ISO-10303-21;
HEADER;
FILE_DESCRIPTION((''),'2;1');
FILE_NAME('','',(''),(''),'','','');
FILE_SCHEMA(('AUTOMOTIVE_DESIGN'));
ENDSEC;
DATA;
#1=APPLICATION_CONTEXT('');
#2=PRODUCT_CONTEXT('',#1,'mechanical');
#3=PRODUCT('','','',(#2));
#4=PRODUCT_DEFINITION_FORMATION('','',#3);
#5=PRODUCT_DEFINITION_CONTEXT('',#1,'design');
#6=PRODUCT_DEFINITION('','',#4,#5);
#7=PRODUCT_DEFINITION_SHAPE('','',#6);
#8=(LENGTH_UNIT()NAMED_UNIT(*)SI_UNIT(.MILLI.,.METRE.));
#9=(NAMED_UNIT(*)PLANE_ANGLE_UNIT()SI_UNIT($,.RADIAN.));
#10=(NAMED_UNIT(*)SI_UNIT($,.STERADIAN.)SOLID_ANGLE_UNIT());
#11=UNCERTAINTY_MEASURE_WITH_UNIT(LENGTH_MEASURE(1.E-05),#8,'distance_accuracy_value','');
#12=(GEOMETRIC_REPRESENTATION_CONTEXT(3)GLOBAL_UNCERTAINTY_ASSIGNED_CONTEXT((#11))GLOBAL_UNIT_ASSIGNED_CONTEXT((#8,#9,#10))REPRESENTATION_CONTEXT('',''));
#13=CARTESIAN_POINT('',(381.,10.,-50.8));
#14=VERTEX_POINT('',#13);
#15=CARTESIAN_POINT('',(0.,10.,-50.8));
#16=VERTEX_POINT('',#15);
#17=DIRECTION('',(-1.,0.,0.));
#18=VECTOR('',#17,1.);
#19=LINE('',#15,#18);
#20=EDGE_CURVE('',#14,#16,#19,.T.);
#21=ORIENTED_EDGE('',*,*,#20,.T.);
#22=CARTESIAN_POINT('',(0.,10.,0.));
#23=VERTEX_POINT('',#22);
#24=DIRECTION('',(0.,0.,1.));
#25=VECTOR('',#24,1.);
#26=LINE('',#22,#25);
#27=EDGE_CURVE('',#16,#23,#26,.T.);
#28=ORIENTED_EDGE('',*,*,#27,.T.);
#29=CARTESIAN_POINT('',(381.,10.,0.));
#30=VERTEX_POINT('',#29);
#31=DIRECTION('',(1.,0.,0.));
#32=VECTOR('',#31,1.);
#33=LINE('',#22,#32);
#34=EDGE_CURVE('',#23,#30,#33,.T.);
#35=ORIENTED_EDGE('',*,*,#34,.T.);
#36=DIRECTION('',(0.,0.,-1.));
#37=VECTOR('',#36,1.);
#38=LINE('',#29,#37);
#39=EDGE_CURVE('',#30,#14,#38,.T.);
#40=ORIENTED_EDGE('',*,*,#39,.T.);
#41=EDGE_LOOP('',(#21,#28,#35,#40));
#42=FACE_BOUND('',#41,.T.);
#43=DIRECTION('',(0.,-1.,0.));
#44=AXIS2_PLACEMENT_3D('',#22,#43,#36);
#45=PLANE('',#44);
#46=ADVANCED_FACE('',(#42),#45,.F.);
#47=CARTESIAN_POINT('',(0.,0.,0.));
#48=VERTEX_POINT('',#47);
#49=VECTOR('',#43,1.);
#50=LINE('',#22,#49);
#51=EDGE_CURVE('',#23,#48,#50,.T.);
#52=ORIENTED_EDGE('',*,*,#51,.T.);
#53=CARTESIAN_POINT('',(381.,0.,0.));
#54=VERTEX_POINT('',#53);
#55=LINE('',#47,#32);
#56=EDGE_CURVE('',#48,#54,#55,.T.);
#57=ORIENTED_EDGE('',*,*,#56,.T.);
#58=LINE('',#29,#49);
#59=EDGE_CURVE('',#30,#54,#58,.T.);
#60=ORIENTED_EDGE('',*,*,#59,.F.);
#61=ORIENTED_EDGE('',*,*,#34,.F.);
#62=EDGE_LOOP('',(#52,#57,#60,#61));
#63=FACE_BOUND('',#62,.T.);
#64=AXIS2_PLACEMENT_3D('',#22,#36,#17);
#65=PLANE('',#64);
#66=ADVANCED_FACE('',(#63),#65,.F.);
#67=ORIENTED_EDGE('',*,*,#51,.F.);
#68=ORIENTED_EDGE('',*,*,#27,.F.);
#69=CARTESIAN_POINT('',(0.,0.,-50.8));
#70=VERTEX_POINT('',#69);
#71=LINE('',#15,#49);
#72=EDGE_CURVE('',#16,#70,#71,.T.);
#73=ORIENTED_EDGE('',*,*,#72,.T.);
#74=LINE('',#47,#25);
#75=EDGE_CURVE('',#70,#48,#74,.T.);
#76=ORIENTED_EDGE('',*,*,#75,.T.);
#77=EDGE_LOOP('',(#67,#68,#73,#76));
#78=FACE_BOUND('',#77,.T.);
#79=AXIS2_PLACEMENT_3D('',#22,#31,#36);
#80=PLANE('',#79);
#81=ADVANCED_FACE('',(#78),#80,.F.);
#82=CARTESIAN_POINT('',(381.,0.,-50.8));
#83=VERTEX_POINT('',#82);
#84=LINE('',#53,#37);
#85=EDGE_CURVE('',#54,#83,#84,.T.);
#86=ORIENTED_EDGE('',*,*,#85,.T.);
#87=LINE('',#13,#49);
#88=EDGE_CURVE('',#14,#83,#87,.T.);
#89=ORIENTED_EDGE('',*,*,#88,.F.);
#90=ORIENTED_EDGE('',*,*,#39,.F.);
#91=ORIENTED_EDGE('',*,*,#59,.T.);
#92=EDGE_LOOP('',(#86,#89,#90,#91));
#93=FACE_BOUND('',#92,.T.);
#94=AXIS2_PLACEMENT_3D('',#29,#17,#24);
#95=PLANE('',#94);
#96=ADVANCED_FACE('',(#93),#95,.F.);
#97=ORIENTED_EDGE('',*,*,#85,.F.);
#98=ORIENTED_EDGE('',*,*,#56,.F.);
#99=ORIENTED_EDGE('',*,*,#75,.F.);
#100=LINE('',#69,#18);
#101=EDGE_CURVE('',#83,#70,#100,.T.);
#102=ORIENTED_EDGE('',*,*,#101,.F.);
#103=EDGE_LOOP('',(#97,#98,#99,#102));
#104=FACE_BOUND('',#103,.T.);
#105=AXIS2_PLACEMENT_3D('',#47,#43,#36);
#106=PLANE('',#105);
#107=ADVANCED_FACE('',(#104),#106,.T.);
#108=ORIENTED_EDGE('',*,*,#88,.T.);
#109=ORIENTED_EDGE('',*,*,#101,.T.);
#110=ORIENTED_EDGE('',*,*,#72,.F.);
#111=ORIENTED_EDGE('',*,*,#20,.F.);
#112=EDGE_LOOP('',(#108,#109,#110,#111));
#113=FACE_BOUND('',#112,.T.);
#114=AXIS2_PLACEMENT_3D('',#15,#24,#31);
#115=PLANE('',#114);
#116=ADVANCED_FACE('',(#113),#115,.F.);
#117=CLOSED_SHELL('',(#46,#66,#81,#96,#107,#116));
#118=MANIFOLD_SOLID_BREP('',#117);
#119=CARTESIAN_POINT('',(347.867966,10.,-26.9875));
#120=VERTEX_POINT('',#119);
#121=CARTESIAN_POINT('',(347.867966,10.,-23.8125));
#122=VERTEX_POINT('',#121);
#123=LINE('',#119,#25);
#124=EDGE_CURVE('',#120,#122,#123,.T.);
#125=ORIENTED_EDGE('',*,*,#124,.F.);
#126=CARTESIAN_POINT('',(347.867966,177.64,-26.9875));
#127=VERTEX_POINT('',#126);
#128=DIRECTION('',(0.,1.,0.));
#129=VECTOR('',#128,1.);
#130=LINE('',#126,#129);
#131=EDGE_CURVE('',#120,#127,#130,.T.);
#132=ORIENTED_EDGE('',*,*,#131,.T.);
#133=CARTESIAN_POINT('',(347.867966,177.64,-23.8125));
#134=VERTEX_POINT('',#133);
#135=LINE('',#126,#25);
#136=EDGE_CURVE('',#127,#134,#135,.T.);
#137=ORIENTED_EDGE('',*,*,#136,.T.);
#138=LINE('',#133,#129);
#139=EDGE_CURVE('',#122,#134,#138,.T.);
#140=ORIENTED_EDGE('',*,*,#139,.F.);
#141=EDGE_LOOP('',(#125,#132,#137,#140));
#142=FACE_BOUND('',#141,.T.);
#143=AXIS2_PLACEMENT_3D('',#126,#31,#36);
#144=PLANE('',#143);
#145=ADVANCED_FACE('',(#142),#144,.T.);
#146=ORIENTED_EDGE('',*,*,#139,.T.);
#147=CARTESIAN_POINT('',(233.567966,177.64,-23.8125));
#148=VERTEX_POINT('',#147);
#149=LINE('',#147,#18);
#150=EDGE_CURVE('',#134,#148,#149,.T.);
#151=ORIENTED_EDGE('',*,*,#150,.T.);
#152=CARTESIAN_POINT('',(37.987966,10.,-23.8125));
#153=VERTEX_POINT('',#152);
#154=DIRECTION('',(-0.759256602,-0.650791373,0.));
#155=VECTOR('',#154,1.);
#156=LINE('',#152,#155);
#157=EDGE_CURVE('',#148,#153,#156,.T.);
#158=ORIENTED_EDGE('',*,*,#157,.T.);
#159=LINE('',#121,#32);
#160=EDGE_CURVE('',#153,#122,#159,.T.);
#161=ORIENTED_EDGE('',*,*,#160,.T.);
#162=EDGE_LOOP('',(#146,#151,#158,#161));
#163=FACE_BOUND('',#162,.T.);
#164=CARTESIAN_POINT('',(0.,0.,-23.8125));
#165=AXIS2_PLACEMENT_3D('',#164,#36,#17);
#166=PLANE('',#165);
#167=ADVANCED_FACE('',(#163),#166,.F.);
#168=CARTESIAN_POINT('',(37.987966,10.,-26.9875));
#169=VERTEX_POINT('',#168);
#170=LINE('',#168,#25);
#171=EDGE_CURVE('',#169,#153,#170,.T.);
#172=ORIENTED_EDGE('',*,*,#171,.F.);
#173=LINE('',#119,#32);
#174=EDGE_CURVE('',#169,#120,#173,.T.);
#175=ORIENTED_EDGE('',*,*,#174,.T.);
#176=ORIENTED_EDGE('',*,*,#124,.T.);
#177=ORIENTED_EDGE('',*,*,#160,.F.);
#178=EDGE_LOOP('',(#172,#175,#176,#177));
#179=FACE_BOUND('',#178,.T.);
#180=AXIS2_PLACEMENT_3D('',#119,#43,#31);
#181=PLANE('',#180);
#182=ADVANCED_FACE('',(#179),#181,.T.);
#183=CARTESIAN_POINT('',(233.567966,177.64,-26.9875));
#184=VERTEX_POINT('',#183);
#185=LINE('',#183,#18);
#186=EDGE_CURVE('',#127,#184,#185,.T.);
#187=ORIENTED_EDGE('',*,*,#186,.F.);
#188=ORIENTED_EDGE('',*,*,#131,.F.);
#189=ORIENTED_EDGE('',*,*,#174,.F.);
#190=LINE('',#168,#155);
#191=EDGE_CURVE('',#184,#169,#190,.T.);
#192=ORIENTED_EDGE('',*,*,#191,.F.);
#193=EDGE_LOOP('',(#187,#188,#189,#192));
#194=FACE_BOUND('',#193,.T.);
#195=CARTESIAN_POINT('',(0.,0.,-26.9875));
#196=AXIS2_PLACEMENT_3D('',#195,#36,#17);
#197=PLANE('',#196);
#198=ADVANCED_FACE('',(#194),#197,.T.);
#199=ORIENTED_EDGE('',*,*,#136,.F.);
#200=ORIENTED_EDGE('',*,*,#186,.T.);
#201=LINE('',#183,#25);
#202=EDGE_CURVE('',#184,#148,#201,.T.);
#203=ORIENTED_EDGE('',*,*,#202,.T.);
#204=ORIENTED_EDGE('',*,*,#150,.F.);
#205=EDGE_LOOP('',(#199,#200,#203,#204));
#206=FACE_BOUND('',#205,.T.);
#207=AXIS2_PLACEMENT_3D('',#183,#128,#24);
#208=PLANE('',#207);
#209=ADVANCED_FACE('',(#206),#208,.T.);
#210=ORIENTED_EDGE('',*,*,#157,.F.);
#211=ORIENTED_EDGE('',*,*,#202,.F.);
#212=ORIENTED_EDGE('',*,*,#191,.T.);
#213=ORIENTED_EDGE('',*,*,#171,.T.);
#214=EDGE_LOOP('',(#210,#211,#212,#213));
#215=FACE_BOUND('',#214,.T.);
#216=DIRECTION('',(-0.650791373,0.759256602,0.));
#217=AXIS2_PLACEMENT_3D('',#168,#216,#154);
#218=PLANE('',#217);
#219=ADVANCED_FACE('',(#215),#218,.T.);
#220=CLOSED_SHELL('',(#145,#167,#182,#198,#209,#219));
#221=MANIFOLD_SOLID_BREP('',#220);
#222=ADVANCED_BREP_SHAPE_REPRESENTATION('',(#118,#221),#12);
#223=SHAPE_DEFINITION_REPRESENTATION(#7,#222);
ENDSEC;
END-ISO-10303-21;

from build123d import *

# Parameters (mm, degrees)
SKETCH1_W                = 381
SKETCH1_H                = 50.8
BOSS_EXTRUDE1_DEPTH      = 10
BOSS_EXTRUDE2_DEPTH      = 1.5875
BOSS_EXTRUDE2_DEPTH_BACK = 1.5875


with BuildPart() as part:
    # Sketch1 → Boss-Extrude1 (new body)
    with BuildSketch(Plane(origin=(0, 0, 0), x_dir=(1, 0, 0), z_dir=(0, 1, 0))):
        with Locations((190.5, 25.4)):
            Rectangle(SKETCH1_W, SKETCH1_H)
    extrude(amount=BOSS_EXTRUDE1_DEPTH)


with BuildPart() as body_2:
    # Sketch2 → Boss-Extrude2 (new, two sides: drawn at the far end of the back side and taken through both)
    with BuildSketch(Plane.XY.offset(-25.4).offset(-BOSS_EXTRUDE2_DEPTH_BACK)):
        Polygon((347.867965721, 10), (37.987965721, 10), (233.567965721, 177.64), (347.867965721, 177.64), align=None)
    extrude(amount=BOSS_EXTRUDE2_DEPTH + BOSS_EXTRUDE2_DEPTH_BACK)


solid = Compound([part.part, body_2.part])
